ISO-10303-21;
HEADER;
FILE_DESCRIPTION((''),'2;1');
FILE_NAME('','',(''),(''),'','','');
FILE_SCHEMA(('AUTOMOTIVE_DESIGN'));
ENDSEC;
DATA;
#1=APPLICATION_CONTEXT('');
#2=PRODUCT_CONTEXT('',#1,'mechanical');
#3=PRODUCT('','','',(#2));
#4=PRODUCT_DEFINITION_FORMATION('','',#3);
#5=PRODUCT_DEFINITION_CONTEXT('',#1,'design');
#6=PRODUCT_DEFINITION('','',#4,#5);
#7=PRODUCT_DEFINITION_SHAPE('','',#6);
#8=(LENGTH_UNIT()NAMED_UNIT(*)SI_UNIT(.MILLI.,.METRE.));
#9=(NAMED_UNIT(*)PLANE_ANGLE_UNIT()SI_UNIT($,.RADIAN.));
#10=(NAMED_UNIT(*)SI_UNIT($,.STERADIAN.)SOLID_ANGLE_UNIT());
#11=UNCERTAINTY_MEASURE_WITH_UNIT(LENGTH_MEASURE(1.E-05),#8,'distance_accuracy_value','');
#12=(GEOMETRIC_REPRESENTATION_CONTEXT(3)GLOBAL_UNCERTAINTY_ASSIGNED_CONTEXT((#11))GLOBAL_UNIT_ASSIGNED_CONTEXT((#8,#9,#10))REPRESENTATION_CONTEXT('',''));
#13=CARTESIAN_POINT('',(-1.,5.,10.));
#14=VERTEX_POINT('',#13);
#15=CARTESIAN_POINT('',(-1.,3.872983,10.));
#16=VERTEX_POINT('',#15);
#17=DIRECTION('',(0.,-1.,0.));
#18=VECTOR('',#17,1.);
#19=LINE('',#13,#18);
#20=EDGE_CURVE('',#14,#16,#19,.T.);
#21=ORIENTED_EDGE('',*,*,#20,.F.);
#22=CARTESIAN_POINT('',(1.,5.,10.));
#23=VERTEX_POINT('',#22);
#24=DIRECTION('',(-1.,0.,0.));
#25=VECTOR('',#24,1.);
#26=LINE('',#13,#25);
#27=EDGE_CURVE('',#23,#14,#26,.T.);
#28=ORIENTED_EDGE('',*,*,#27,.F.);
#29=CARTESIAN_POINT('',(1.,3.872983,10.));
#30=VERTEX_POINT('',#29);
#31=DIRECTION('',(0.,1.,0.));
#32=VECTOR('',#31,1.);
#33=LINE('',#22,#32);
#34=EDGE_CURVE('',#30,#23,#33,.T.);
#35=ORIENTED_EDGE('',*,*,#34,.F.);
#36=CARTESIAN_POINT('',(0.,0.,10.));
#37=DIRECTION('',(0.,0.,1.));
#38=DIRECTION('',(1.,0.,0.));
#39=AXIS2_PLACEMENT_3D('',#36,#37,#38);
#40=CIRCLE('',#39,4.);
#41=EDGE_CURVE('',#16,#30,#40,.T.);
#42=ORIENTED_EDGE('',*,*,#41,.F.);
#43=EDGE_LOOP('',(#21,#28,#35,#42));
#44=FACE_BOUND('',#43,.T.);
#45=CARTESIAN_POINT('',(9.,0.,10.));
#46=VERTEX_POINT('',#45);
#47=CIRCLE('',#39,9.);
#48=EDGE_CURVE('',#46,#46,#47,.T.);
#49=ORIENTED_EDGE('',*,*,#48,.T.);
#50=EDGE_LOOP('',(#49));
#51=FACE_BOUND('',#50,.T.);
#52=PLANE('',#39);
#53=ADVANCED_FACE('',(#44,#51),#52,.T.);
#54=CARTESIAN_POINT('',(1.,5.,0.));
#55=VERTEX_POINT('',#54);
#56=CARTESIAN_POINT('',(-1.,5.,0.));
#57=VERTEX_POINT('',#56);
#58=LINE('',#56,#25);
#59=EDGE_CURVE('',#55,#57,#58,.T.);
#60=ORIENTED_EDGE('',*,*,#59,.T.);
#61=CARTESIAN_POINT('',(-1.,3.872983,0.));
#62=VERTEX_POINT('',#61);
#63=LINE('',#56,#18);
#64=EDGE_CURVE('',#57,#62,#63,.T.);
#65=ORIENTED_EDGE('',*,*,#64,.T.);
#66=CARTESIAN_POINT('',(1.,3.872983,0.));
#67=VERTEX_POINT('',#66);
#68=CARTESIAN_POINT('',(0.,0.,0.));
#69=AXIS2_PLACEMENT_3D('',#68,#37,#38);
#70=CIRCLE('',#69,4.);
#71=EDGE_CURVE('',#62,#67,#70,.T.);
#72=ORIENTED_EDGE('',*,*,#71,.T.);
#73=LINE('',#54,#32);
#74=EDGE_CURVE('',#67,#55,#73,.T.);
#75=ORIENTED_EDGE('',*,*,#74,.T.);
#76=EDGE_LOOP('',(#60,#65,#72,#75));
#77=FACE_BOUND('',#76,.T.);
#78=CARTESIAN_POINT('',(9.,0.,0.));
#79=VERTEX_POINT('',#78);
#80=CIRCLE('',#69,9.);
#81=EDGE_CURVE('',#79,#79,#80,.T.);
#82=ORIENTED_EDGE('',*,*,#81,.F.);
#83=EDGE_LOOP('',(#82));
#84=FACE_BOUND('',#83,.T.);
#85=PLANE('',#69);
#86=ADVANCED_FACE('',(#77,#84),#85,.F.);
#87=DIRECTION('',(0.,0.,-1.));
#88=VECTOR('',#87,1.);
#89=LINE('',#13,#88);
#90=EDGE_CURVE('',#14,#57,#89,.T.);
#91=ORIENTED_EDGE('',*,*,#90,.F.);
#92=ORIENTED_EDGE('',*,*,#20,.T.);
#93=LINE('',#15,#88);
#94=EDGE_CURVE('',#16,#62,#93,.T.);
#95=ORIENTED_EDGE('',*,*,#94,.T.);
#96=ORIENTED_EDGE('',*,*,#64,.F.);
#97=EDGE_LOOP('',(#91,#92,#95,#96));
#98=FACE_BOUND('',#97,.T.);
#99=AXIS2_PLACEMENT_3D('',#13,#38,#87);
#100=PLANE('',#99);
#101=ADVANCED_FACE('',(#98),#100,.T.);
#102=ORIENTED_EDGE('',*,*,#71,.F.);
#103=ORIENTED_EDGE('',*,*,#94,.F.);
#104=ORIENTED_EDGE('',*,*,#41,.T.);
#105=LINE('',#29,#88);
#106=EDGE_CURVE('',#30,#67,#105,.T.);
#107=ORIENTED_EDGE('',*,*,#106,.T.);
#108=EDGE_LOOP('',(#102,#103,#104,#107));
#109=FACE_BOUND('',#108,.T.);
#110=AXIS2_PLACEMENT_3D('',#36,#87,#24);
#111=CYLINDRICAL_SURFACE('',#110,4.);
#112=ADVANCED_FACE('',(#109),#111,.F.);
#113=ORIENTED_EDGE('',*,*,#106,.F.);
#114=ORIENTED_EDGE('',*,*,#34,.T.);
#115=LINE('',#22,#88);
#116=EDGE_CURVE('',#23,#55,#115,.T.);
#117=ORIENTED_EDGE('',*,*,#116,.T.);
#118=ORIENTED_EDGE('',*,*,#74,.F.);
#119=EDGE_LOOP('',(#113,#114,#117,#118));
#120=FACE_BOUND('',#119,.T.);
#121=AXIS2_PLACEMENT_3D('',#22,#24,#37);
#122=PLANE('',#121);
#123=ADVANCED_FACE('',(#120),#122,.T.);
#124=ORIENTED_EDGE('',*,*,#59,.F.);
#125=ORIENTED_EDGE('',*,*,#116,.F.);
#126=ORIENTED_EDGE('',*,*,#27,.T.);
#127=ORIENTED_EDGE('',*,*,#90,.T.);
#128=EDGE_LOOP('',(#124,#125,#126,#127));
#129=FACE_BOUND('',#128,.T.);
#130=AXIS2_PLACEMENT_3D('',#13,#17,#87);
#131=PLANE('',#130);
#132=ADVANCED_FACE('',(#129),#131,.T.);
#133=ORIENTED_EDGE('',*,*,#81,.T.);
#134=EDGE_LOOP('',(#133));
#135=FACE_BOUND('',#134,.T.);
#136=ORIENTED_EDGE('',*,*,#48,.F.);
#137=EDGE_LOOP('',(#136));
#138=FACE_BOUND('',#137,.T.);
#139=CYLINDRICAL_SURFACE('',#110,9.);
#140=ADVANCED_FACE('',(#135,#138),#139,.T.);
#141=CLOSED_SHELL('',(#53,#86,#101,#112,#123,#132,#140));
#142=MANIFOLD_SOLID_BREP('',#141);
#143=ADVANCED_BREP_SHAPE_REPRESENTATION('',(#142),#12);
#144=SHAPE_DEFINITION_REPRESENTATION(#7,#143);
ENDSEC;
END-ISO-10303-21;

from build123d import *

# Parameters (mm, degrees)
SKETCH_1_R      = 9
EXTRUDE_1_DEPTH = 10


with BuildPart() as part:
    # ｽｹｯﾁ1 → ﾎﾞｽ - 押し出し1 (new body)
    with BuildSketch(Plane.XY):
        Circle(SKETCH_1_R)
        with BuildLine():
            Line((-1, 5), (-1, 3.872983346))
            ThreePointArc((-1, 3.872983346), (0, -4), (1, 3.872983346))
            Line((1, 3.872983346), (1, 5))
            Line((1, 5), (-1, 5))
        make_face(mode=Mode.SUBTRACT)
    extrude(amount=EXTRUDE_1_DEPTH)


solid = part.part
